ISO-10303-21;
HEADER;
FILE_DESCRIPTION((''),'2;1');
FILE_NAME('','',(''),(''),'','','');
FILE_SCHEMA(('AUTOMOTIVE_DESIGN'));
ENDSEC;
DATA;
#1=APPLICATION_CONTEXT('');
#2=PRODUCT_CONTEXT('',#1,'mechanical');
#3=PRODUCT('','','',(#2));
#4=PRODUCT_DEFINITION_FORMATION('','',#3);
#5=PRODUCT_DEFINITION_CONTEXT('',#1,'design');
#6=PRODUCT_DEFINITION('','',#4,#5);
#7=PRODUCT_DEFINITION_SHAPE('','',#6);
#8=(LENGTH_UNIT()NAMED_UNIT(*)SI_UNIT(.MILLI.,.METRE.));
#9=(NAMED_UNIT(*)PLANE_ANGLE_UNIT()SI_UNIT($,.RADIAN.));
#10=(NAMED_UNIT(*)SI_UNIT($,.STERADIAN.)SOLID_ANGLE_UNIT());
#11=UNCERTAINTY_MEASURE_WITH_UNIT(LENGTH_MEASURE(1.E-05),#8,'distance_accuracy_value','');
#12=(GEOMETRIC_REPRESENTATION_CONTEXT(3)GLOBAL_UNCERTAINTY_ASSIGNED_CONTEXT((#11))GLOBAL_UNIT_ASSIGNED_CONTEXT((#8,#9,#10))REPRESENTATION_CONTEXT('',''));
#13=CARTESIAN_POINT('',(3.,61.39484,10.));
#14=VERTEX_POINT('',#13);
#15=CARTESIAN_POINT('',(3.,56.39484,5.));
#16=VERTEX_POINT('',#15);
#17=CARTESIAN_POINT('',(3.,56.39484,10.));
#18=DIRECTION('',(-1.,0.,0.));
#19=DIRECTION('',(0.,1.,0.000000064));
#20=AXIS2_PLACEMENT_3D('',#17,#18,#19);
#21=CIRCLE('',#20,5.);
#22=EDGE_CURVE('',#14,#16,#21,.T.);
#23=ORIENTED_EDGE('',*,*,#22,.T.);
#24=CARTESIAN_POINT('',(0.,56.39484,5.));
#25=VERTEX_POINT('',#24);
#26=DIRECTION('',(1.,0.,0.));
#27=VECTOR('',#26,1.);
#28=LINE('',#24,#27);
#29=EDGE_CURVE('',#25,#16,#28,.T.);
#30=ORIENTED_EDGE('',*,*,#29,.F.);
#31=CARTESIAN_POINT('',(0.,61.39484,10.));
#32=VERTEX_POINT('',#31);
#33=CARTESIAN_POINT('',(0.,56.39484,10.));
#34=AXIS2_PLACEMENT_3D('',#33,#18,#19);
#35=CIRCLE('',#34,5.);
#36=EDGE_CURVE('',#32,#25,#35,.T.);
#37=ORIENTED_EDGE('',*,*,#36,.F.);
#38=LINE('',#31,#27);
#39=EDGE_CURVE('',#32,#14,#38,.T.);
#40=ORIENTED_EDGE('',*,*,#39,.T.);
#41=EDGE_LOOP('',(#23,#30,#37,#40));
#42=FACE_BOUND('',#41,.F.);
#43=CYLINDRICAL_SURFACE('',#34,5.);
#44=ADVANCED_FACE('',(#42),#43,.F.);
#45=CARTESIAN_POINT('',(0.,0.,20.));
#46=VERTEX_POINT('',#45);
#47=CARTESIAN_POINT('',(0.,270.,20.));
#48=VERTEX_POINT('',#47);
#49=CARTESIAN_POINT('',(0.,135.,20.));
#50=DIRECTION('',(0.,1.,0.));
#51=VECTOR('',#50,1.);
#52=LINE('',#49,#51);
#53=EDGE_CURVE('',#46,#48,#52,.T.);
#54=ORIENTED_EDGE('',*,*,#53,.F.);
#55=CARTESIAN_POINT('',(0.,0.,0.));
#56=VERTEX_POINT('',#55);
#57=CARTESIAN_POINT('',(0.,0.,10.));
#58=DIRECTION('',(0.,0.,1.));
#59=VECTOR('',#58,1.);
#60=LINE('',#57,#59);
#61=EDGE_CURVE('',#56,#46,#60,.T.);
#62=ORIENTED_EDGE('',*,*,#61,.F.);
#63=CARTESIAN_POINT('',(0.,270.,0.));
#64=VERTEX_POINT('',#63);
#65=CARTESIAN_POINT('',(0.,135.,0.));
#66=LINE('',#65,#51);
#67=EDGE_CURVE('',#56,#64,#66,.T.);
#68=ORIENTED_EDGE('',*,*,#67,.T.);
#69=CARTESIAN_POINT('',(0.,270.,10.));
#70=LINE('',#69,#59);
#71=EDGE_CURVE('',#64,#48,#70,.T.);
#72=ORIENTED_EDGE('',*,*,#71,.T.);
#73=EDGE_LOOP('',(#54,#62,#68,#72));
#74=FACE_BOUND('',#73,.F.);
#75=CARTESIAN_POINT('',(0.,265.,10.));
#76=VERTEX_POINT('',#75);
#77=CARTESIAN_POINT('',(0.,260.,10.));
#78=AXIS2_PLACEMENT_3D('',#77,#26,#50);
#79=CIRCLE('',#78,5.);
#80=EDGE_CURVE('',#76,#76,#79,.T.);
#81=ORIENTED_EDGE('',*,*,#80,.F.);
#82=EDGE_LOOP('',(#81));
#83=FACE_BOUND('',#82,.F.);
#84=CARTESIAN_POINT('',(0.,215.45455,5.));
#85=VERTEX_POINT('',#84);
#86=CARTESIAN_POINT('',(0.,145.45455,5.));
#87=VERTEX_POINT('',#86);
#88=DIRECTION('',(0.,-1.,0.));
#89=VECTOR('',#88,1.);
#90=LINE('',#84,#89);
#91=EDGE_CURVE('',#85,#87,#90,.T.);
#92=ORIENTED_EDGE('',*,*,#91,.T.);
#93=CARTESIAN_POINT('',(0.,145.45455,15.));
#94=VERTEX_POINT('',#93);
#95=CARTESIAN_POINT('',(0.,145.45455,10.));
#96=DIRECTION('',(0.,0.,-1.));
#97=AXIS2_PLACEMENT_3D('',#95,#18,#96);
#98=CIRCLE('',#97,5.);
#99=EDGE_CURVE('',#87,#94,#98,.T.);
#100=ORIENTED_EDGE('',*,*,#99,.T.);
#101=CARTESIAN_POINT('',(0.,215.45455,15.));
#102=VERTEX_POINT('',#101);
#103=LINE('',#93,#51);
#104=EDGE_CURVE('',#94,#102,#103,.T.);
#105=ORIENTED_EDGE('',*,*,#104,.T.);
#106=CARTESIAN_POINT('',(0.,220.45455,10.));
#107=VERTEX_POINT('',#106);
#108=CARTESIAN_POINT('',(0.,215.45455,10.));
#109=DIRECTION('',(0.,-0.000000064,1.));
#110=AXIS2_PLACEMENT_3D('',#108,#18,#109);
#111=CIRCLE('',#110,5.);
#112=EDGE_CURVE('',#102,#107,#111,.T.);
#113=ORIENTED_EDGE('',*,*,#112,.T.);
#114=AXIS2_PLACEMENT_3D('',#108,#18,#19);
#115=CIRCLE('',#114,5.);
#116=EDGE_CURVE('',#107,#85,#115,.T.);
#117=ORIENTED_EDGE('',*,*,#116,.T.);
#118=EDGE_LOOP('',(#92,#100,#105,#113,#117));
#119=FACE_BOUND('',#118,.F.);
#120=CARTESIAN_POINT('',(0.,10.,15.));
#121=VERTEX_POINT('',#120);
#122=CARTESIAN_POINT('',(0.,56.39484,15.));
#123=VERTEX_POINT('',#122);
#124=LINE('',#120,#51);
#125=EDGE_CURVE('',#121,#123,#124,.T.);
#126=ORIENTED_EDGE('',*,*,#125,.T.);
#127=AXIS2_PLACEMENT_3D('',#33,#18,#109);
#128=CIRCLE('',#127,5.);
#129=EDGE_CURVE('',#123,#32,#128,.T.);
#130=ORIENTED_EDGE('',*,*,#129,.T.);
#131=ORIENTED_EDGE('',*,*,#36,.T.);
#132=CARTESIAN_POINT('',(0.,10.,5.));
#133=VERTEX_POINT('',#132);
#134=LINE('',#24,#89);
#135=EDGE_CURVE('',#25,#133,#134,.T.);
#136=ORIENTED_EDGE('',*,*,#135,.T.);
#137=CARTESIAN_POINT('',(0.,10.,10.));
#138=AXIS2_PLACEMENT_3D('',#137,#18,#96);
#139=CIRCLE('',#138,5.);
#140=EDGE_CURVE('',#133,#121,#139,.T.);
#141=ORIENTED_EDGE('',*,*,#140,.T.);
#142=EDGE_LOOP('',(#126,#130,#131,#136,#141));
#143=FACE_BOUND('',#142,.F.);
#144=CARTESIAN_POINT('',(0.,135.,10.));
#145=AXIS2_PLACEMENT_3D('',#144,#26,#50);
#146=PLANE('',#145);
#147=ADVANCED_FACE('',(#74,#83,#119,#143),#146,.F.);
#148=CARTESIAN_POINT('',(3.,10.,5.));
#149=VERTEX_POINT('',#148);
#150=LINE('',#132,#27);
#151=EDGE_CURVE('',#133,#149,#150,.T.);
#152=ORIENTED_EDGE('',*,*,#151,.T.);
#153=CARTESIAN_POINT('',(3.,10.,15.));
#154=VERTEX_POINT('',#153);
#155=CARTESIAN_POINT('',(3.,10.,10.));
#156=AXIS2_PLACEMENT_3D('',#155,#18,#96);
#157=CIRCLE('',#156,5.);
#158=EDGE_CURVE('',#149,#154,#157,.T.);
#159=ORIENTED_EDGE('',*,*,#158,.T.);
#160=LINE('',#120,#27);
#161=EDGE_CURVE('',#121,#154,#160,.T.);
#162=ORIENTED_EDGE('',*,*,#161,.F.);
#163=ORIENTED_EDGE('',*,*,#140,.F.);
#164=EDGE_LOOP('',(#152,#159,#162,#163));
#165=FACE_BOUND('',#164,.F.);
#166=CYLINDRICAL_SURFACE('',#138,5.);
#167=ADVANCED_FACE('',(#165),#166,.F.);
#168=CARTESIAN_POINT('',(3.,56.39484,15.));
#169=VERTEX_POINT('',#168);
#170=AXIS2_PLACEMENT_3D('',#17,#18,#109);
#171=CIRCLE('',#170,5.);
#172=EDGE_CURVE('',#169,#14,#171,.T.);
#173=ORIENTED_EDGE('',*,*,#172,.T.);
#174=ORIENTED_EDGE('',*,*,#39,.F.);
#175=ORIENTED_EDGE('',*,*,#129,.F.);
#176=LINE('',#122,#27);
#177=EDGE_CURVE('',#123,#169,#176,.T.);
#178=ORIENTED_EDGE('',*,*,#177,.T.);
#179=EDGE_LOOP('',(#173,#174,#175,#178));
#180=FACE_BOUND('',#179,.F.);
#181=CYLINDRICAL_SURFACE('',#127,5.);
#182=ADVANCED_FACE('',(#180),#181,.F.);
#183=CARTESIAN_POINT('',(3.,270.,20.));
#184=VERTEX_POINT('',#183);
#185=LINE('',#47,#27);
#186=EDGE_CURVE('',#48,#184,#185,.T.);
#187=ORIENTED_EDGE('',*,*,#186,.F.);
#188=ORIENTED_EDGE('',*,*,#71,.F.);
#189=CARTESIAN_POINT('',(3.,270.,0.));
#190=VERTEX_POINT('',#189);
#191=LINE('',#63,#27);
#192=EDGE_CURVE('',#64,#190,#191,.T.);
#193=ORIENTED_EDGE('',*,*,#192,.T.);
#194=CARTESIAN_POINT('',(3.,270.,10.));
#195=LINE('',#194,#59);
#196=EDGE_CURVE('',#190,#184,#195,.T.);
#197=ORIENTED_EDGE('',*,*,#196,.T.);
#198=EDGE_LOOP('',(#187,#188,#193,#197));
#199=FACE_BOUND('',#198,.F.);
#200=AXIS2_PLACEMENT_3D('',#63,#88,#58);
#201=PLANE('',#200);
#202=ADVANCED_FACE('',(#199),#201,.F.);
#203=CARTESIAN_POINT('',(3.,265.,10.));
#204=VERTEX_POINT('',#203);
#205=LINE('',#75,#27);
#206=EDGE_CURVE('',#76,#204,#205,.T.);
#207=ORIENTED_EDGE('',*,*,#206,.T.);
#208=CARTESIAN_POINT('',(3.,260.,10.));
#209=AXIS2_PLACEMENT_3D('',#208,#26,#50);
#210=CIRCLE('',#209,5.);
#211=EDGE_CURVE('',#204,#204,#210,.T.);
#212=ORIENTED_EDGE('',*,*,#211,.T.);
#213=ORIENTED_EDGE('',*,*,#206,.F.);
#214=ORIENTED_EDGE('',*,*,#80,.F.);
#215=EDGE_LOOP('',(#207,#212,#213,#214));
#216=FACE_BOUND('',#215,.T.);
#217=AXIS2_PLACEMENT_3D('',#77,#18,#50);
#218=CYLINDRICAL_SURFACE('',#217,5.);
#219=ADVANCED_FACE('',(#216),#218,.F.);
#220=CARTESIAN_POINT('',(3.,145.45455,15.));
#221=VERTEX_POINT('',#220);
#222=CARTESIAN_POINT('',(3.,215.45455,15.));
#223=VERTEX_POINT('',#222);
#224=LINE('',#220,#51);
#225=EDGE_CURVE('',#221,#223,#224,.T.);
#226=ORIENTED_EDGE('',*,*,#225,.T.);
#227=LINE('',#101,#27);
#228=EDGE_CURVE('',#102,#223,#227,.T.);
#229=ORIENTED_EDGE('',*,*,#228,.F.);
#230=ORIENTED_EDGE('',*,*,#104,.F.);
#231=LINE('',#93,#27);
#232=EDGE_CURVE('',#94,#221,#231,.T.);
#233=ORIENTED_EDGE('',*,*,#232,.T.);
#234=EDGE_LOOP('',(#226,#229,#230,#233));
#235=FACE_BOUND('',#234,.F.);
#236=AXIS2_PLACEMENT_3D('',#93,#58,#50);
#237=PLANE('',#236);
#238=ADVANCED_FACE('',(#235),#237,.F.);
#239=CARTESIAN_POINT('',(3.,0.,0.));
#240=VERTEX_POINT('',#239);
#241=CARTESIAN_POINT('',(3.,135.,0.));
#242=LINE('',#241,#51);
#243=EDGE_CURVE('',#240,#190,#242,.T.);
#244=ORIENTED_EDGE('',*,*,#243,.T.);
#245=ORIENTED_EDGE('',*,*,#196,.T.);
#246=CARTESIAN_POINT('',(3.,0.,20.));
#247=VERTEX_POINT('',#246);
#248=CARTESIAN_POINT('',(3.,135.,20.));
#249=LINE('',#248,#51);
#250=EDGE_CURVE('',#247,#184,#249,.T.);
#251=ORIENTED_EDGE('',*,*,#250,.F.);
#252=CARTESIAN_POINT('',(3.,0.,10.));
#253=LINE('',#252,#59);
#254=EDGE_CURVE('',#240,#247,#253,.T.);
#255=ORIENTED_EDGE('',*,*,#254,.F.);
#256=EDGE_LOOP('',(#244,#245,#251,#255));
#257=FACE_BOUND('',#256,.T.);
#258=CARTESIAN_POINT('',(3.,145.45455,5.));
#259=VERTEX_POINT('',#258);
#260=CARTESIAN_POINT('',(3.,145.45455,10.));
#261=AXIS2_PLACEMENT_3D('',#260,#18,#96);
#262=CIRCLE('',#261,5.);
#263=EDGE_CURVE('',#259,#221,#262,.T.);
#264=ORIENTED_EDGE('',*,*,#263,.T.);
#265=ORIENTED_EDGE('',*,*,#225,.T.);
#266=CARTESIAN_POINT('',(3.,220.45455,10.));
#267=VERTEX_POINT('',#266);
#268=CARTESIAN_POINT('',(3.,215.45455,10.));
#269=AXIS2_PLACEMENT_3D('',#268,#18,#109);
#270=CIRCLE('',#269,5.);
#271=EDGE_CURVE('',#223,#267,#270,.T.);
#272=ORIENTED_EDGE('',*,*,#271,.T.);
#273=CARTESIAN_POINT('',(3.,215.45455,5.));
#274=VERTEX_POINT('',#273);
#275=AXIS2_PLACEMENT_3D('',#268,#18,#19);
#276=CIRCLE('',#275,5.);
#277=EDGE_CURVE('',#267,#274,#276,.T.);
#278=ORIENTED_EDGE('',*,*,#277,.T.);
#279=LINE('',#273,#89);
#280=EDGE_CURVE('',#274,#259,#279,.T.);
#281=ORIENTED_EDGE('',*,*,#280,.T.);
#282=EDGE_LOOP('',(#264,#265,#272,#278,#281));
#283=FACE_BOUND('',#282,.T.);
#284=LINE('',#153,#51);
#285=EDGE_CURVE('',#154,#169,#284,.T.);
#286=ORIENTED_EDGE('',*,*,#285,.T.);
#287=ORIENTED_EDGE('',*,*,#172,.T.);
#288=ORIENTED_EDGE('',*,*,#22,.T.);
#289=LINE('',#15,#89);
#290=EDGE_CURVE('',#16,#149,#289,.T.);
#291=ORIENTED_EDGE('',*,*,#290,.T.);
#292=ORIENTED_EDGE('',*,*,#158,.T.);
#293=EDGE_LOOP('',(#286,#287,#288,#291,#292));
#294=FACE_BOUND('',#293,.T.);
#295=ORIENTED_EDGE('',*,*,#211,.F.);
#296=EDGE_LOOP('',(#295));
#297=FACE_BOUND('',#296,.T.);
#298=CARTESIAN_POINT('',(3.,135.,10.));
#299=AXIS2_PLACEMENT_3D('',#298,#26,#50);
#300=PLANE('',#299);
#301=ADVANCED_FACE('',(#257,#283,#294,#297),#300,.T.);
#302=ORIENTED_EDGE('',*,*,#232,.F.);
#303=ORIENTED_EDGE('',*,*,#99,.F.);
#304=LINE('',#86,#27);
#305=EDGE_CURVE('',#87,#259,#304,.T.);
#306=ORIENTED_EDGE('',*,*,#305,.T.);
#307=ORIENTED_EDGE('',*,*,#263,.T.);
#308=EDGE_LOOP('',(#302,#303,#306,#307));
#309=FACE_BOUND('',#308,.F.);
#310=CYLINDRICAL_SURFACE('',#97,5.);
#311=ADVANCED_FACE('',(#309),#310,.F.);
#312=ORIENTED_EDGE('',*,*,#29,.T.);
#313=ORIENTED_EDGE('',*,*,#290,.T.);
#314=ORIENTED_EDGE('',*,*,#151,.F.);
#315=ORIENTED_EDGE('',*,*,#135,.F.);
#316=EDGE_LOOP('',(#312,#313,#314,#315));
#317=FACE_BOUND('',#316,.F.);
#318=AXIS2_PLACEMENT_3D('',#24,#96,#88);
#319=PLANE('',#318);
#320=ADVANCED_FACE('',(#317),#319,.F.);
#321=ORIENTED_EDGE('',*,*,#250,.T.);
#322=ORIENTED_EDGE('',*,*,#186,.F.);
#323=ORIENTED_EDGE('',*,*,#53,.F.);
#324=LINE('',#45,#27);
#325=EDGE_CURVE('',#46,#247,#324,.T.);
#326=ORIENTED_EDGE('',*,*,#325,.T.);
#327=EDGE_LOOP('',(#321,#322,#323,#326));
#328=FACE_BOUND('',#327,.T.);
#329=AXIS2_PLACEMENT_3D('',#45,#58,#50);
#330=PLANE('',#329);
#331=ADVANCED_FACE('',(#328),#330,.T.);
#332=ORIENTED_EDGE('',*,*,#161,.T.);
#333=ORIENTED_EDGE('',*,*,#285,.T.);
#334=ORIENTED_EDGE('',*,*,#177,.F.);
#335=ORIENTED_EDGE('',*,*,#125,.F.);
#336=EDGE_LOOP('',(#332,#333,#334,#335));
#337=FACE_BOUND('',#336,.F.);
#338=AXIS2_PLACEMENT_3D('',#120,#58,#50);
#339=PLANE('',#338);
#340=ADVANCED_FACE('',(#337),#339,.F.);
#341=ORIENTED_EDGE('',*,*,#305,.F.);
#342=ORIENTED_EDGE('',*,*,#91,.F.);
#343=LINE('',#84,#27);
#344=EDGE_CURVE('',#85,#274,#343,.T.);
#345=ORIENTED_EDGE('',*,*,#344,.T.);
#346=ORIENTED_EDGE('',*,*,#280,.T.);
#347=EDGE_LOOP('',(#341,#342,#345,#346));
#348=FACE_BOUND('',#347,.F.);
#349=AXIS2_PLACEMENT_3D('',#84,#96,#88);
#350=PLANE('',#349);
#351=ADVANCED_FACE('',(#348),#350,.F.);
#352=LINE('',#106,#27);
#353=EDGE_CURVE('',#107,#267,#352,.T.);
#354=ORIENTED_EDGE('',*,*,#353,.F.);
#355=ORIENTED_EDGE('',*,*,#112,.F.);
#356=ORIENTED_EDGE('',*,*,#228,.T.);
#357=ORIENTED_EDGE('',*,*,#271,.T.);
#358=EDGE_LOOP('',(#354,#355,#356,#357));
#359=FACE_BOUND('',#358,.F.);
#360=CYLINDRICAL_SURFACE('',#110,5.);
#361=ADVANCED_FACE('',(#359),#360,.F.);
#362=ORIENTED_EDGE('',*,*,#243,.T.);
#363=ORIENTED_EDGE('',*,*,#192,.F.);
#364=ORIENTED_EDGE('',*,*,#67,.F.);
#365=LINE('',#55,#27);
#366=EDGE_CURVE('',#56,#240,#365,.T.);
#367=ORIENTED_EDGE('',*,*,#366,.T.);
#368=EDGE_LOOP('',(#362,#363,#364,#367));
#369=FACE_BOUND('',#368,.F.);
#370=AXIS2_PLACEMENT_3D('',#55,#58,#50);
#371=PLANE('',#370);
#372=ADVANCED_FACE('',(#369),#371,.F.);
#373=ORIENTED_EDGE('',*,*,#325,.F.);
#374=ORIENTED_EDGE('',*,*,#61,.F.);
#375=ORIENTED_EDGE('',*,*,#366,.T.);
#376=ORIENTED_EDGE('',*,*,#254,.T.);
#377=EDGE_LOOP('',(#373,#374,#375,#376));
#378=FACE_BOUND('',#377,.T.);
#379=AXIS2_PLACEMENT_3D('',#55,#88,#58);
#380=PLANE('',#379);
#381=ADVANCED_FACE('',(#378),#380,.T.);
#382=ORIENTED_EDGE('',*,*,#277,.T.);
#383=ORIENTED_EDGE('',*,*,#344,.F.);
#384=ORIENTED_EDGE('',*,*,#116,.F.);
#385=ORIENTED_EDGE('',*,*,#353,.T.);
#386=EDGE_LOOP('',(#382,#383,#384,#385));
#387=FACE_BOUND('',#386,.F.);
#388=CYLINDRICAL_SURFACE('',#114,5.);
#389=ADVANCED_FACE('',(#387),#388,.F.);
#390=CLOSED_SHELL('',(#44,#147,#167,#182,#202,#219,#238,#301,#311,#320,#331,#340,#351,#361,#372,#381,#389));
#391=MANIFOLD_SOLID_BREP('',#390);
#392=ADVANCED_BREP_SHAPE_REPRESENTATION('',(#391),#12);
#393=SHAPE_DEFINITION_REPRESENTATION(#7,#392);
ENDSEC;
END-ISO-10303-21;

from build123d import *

# Parameters (mm, degrees)
F0_W     = 270
F0_H     = 20
F0_R     = 5
F1_DEPTH = 3


with BuildPart() as f1:
    # F0 (on Right) → F1 (new body)
    with BuildSketch(Plane.YZ):
        with Locations((135, 10)):
            Rectangle(F0_W, F0_H)
        with BuildLine():
            ThreePointArc((10, 5), (5, 10), (10, 15))
            Line((10, 15), (56.39484, 15))
            ThreePointArc((56.39484, 15), (59.930374, 13.535534), (61.39484, 10))
            ThreePointArc((61.39484, 10), (59.930374, 6.464466), (56.39484, 5))
            Line((56.39484, 5), (10, 5))
        make_face(mode=Mode.SUBTRACT)
        with BuildLine():
            ThreePointArc((145.45455, 5), (140.45455, 10), (145.45455, 15))
            Line((145.45455, 15), (215.45455, 15))
            ThreePointArc((215.45455, 15), (218.990084, 13.535534), (220.45455, 10))
            ThreePointArc((220.45455, 10), (218.990084, 6.464466), (215.45455, 5))
            Line((215.45455, 5), (145.45455, 5))
        make_face(mode=Mode.SUBTRACT)
        with Locations((260, 10)):
            Circle(F0_R, mode=Mode.SUBTRACT)
    extrude(amount=F1_DEPTH)


solid = f1.part
